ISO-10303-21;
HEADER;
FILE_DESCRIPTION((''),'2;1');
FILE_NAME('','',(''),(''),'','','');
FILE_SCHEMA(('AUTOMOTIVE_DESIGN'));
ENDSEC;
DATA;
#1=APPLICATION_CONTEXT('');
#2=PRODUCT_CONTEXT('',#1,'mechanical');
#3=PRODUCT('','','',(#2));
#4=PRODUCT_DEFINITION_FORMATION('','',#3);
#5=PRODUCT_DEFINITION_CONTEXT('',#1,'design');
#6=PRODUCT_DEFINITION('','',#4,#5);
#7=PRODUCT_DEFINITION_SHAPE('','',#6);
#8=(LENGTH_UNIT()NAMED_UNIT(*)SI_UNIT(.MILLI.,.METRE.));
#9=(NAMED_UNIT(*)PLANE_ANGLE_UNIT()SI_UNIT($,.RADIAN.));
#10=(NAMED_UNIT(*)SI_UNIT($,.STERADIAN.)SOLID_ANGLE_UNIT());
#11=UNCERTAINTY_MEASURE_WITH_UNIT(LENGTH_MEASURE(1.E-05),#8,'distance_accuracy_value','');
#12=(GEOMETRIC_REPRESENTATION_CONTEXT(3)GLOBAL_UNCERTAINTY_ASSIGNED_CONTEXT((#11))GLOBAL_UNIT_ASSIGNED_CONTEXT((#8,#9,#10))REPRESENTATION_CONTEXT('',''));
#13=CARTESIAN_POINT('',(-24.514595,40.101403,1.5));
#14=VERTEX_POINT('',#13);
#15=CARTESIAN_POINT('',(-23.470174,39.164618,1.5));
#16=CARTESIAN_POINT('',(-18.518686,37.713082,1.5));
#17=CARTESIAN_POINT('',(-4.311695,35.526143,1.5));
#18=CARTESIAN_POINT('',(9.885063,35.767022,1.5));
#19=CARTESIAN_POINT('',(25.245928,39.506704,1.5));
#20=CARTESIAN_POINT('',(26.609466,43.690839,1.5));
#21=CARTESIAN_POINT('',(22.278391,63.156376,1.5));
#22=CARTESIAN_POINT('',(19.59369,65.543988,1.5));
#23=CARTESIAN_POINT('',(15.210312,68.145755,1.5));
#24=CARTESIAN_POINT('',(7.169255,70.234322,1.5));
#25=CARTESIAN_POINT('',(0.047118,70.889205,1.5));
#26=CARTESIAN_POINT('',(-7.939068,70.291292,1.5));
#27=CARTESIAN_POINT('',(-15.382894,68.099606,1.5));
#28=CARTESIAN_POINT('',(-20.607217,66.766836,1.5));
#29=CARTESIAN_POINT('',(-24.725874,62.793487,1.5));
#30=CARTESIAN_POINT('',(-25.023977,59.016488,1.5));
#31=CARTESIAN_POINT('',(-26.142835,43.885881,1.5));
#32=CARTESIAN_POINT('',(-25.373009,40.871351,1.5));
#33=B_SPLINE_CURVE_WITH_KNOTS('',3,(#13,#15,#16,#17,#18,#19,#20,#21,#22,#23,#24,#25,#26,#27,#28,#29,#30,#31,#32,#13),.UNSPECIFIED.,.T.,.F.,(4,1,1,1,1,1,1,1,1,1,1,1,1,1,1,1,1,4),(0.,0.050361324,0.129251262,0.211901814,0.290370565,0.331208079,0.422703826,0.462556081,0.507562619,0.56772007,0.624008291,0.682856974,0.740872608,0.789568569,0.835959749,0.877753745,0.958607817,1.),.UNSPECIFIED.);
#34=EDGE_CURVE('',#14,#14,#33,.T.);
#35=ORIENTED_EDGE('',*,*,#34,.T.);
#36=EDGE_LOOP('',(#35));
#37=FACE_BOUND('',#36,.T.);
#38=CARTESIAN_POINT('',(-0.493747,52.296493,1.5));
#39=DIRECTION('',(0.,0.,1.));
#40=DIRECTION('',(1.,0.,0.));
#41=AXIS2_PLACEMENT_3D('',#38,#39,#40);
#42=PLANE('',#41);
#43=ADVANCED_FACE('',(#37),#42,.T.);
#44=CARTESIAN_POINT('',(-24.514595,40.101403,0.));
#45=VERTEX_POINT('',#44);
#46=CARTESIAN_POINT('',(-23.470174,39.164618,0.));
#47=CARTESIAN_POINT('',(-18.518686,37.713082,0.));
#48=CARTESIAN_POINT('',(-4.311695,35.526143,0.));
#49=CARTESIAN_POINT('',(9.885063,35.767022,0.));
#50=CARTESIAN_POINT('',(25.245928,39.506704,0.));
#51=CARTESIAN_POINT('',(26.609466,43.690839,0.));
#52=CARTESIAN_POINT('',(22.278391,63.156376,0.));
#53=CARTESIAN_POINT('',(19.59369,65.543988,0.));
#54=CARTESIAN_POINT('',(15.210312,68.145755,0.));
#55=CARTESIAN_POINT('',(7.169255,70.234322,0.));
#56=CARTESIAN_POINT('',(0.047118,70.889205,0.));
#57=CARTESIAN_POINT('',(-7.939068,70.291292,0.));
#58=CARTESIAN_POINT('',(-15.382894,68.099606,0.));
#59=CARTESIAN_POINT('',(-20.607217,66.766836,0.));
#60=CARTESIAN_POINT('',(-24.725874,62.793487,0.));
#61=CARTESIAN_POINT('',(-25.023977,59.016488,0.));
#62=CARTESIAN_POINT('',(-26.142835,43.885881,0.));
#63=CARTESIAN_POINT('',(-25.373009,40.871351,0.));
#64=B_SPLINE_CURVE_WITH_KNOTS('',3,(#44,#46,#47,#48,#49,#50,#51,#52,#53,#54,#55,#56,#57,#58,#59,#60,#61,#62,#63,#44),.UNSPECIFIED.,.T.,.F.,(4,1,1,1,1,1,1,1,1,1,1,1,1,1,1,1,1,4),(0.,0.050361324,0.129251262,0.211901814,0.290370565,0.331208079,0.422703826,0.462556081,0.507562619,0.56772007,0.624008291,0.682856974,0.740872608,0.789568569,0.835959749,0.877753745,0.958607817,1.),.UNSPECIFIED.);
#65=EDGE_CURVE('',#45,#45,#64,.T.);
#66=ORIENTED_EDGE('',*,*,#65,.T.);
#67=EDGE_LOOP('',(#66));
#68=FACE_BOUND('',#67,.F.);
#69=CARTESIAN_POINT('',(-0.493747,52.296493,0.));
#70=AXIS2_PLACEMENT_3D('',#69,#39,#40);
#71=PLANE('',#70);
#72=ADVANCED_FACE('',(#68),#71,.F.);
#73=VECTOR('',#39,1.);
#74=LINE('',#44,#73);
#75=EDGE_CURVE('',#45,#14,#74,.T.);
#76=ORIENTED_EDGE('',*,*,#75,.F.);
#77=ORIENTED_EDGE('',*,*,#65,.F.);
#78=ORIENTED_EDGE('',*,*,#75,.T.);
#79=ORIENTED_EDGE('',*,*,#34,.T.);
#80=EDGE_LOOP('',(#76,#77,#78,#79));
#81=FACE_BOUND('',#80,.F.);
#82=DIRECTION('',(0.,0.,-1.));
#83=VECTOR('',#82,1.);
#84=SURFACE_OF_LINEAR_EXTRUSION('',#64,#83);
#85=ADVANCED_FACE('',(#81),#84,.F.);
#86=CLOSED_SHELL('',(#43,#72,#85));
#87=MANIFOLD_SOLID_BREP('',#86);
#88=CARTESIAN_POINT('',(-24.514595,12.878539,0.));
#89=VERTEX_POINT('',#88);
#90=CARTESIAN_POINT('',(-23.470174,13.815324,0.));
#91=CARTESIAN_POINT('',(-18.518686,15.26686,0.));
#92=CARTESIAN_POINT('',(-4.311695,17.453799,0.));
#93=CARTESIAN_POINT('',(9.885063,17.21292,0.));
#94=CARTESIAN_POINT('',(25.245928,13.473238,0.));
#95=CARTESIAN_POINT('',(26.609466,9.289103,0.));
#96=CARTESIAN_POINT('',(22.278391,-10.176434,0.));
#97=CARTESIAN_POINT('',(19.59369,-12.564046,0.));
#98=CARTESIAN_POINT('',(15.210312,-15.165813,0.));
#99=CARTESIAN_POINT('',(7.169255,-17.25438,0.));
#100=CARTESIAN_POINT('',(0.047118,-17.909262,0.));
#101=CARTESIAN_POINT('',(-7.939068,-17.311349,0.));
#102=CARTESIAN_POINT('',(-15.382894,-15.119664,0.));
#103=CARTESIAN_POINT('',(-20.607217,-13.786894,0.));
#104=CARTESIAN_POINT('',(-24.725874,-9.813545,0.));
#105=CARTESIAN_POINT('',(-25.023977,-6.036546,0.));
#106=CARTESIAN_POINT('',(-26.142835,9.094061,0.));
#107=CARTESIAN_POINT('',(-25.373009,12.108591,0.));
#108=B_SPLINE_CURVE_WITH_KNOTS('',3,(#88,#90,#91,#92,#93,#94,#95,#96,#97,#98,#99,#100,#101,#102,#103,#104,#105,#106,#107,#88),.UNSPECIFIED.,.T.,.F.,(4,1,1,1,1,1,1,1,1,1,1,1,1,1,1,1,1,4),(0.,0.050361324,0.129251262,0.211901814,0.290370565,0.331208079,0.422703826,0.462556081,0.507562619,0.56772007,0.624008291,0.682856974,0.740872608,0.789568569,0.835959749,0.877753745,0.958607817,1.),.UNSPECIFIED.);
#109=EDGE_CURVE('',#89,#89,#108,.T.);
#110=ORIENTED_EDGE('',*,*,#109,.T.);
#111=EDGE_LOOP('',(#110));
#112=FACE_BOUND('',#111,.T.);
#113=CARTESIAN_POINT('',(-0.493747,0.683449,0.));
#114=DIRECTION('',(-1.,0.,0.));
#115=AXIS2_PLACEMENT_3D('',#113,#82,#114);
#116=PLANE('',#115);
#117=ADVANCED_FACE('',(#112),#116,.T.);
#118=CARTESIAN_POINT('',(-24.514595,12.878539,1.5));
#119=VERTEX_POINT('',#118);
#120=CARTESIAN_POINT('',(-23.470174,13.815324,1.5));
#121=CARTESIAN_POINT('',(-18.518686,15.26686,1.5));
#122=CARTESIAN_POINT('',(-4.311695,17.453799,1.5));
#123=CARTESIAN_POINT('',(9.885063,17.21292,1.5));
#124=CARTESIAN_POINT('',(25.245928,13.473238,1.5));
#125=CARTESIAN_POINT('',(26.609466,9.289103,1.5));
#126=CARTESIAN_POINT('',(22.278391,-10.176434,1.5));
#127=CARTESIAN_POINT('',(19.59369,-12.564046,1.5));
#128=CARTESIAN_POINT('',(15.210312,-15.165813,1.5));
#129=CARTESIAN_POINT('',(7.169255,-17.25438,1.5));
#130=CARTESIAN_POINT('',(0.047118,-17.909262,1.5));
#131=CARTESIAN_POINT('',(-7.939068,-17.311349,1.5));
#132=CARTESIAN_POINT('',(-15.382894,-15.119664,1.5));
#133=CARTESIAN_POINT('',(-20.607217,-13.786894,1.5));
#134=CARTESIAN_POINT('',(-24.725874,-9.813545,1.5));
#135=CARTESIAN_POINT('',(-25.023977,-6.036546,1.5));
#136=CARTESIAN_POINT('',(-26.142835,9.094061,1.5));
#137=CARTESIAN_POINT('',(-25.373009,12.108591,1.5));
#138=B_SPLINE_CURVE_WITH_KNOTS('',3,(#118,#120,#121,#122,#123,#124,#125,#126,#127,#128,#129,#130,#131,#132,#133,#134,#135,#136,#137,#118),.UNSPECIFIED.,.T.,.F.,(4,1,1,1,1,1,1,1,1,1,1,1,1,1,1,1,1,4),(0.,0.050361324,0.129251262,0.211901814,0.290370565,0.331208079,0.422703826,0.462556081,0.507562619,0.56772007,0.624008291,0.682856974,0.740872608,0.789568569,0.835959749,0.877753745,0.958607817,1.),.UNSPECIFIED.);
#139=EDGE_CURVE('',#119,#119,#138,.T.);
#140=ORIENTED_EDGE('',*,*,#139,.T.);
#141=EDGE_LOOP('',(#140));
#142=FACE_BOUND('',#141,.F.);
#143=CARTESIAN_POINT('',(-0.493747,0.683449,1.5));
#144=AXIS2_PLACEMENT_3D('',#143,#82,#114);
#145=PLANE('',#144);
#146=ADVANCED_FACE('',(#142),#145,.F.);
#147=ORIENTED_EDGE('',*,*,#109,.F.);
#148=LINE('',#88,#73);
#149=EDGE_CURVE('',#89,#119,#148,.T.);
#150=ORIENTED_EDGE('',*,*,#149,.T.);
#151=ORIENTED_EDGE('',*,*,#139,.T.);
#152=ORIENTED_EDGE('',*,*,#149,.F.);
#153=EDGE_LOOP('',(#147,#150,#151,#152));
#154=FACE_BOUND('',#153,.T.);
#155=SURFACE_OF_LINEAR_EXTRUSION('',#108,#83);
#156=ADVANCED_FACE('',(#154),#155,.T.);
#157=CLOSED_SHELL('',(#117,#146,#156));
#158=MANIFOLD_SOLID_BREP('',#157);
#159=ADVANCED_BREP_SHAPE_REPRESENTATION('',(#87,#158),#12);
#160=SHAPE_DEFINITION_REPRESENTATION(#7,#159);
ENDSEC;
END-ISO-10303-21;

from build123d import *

# Parameters (mm, degrees)
F1_DEPTH = 1.49999954


with BuildPart() as f1:
    # F0 (on Top) → F1 (new body)
    with BuildSketch(Plane.XY):
        with BuildLine():
            add(Edge.make_bspline(
                [(-24.5145951135, 12.8785391069), (-23.4701738434, 13.8153243795), (-18.5186864853, 15.2668604604), (-4.3116945252, 17.4537990113), (9.8850632183, 17.2129202894), (25.2459280139, 13.47323829), (26.6094661501, 9.2891034888), (22.2783905626, -10.1764336659), (19.5936896703, -12.5640459709), (15.2103124202, -15.1658130679), (7.1692554398, -17.2543797377), (0.0471181572, -17.9092621965), (-7.9390684451, -17.3113491984), (-15.3828935072, -15.1196640253), (-20.6072173632, -13.7868935149), (-24.7258743098, -9.8135450315), (-25.0239767365, -6.0365459714), (-26.1428348503, 9.0940611175), (-25.373009313, 12.1085913828), (-24.5145951135, 12.8785391069)],
                knots=[0, 0, 0, 0, 0.0503613244, 0.1292512619, 0.2119018138, 0.2903705646, 0.331208079, 0.4227038256, 0.4625560811, 0.5075626186, 0.5677200705, 0.6240082913, 0.6828569743, 0.7408726081, 0.789568569, 0.8359597487, 0.8777537452, 0.9586078173, 1, 1, 1, 1], degree=3))
        make_face()
    extrude(amount=F1_DEPTH)


with BuildPart() as f1b:
    # F0 (on Top) → F1, piece 2 (new body)
    with BuildSketch(Plane.XY):
        with BuildLine():
            add(Edge.make_bspline(
                [(-24.5145951135, 40.1014033043), (-23.4701738434, 39.1646180316), (-18.5186864853, 37.7130819508), (-4.3116945252, 35.5261433999), (9.8850632183, 35.7670221217), (25.2459280139, 39.5067041212), (26.6094661501, 43.6908389224), (22.2783905626, 63.1563760771), (19.5936896703, 65.5439883821), (15.2103124202, 68.1457554791), (7.1692554398, 70.2343221489), (0.0471181572, 70.8892046077), (-7.9390684451, 70.2912916096), (-15.3828935072, 68.0996064365), (-20.6072173632, 66.7668359261), (-24.7258743098, 62.7934874426), (-25.0239767365, 59.0164883826), (-26.1428348503, 43.8858812937), (-25.373009313, 40.8713510284), (-24.5145951135, 40.1014033043)],
                knots=[0, 0, 0, 0, 0.0503613244, 0.1292512619, 0.2119018138, 0.2903705646, 0.331208079, 0.4227038256, 0.4625560811, 0.5075626186, 0.5677200705, 0.6240082913, 0.6828569743, 0.7408726081, 0.789568569, 0.8359597487, 0.8777537452, 0.9586078173, 1, 1, 1, 1], degree=3))
        make_face()
    extrude(amount=F1_DEPTH)


solid = Compound([f1.part, f1b.part])
